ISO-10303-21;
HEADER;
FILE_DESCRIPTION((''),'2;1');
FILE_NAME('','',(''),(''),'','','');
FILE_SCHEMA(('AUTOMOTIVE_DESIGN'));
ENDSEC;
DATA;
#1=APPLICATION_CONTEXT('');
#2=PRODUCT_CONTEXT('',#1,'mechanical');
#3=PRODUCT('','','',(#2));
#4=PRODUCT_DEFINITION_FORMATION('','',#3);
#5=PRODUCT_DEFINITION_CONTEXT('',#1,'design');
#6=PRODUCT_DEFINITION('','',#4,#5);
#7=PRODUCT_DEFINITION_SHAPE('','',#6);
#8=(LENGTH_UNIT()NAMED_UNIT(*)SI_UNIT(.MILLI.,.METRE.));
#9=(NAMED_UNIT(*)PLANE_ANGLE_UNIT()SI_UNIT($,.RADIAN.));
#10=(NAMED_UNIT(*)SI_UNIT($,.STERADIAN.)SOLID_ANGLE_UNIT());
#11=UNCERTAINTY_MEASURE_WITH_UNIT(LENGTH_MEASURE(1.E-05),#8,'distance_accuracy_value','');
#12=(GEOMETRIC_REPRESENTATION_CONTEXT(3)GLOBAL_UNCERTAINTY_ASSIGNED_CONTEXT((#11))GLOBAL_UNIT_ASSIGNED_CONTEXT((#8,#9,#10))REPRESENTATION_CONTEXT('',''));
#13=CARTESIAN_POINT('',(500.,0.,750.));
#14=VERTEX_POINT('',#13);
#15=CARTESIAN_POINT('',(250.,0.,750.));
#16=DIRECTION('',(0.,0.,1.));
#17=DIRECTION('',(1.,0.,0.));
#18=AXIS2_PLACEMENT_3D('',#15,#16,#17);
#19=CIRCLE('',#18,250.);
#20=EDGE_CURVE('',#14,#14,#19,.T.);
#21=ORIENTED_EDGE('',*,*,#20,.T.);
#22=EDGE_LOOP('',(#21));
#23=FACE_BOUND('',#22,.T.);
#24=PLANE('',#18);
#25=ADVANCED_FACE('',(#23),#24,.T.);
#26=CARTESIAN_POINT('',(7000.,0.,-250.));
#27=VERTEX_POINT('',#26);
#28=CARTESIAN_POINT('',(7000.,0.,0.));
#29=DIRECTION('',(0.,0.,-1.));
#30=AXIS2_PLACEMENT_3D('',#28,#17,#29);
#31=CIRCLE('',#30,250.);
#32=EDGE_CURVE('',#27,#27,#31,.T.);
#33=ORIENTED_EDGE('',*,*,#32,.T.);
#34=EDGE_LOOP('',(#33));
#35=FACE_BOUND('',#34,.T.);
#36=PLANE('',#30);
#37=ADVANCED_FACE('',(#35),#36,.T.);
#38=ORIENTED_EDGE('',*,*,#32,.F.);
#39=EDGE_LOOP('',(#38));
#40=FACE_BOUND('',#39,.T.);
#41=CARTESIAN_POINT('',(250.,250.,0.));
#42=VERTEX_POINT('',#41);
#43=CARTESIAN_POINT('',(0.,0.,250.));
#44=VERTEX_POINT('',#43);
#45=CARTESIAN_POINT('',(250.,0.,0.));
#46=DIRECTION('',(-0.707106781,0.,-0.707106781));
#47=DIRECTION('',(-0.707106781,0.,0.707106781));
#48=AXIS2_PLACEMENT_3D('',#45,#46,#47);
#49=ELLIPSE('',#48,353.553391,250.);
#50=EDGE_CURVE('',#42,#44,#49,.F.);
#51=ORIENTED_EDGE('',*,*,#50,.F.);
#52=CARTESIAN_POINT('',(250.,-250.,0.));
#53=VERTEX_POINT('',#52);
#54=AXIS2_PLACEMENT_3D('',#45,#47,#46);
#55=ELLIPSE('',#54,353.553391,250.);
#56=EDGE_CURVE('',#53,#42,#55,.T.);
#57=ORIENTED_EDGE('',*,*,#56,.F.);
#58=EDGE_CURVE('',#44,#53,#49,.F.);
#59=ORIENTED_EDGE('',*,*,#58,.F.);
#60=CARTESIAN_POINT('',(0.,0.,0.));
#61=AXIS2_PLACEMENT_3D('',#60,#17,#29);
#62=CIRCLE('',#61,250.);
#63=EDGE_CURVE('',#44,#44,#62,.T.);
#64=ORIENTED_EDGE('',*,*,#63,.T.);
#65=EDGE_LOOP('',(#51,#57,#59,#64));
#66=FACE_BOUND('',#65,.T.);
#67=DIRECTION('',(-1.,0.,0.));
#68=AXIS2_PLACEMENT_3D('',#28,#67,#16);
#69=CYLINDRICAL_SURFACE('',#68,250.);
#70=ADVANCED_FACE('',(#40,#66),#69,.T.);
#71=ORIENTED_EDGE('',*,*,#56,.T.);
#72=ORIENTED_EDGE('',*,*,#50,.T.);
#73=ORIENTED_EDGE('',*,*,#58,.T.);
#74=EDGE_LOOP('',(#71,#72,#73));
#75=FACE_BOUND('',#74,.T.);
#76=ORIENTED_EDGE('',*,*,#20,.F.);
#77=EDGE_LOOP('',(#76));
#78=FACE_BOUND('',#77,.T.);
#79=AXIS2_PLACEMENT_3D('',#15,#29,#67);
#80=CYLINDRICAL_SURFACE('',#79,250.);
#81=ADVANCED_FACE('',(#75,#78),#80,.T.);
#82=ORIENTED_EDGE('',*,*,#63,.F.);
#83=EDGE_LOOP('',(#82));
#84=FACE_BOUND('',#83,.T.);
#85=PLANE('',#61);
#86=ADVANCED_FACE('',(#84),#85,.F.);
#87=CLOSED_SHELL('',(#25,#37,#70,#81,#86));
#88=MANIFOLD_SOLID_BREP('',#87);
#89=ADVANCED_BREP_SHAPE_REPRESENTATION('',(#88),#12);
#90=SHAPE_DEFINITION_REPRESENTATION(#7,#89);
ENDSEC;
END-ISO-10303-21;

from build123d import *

# Parameters (mm, degrees)
SKETCH1_R           = 250
BOSS_EXTRUDE1_DEPTH = 7000
SKETCH2_R           = 250
BOSS_EXTRUDE2_DEPTH = 750


with BuildPart() as part:
    # Sketch1 → Boss-Extrude1 (new body)
    with BuildSketch(Plane(origin=(0, 0, 0), x_dir=(0, 0, -1), z_dir=(1, 0, 0))):
        Circle(SKETCH1_R)
    extrude(amount=BOSS_EXTRUDE1_DEPTH)

    # Sketch2 → Boss-Extrude2 (add)
    with BuildSketch(Plane.XY):
        with Locations((250, 0)):
            Circle(SKETCH2_R)
    extrude(amount=BOSS_EXTRUDE2_DEPTH)


solid = part.part
